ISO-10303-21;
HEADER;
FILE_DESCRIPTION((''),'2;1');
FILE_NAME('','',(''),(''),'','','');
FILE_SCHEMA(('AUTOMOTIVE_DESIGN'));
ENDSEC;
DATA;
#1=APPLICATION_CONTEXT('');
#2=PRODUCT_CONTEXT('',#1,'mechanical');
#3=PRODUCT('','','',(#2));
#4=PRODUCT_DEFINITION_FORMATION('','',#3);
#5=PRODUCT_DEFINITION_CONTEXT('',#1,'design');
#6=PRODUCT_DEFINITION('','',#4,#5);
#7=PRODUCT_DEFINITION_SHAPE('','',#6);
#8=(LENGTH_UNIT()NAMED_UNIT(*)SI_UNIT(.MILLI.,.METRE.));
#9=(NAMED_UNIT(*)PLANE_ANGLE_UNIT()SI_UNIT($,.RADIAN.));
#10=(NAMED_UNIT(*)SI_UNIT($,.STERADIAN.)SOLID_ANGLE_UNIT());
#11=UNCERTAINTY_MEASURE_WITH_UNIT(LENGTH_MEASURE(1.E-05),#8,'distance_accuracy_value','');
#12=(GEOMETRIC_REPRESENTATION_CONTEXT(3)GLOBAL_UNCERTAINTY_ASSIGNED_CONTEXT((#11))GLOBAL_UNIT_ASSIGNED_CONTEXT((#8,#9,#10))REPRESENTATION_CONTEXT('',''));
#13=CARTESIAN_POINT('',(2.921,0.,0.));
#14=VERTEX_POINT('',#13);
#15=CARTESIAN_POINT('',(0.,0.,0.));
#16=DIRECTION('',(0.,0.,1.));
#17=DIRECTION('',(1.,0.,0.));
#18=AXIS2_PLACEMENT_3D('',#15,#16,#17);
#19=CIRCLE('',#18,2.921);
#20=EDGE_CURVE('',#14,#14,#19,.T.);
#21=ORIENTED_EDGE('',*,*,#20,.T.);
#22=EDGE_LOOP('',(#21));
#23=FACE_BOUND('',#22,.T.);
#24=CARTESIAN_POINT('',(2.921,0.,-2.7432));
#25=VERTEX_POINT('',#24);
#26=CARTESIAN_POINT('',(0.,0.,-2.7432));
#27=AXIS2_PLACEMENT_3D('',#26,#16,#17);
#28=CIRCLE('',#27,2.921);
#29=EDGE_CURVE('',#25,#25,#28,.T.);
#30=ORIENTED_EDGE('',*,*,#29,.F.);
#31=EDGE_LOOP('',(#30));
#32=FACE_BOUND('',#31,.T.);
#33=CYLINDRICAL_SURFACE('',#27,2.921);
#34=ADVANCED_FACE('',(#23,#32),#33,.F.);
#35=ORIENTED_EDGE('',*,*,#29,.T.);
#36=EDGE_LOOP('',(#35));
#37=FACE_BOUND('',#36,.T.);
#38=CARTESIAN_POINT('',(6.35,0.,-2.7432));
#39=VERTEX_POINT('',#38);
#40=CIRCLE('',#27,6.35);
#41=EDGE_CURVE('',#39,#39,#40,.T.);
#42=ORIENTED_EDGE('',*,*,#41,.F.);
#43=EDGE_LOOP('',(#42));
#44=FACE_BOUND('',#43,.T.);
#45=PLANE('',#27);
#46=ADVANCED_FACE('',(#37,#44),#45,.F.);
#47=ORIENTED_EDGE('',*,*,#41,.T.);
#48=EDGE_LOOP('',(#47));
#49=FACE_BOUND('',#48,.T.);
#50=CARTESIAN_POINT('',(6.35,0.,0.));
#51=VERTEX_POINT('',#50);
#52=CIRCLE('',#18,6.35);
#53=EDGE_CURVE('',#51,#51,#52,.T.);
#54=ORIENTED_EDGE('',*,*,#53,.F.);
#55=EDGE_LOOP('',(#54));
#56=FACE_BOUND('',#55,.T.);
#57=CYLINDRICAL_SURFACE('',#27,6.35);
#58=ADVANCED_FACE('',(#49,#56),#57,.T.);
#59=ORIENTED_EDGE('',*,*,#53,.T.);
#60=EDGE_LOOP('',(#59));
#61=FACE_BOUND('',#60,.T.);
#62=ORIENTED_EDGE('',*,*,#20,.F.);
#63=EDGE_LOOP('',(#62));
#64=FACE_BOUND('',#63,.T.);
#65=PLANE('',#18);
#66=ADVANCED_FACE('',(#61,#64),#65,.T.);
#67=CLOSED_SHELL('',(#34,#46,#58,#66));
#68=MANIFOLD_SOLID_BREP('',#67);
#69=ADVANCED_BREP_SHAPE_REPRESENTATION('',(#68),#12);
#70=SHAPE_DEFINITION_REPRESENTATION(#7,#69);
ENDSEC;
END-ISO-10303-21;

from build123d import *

# Parameters (mm, degrees)
SKETCH1_R      = 6.35
SKETCH1_R_2    = 2.921
EXTRUDE1_DEPTH = 2.7432


with BuildPart() as part:
    # Sketch1 → Extrude1 (new body)
    with BuildSketch(Plane.XY):
        Circle(SKETCH1_R)
        Circle(SKETCH1_R_2, mode=Mode.SUBTRACT)
    extrude(amount=-EXTRUDE1_DEPTH)


solid = part.part
